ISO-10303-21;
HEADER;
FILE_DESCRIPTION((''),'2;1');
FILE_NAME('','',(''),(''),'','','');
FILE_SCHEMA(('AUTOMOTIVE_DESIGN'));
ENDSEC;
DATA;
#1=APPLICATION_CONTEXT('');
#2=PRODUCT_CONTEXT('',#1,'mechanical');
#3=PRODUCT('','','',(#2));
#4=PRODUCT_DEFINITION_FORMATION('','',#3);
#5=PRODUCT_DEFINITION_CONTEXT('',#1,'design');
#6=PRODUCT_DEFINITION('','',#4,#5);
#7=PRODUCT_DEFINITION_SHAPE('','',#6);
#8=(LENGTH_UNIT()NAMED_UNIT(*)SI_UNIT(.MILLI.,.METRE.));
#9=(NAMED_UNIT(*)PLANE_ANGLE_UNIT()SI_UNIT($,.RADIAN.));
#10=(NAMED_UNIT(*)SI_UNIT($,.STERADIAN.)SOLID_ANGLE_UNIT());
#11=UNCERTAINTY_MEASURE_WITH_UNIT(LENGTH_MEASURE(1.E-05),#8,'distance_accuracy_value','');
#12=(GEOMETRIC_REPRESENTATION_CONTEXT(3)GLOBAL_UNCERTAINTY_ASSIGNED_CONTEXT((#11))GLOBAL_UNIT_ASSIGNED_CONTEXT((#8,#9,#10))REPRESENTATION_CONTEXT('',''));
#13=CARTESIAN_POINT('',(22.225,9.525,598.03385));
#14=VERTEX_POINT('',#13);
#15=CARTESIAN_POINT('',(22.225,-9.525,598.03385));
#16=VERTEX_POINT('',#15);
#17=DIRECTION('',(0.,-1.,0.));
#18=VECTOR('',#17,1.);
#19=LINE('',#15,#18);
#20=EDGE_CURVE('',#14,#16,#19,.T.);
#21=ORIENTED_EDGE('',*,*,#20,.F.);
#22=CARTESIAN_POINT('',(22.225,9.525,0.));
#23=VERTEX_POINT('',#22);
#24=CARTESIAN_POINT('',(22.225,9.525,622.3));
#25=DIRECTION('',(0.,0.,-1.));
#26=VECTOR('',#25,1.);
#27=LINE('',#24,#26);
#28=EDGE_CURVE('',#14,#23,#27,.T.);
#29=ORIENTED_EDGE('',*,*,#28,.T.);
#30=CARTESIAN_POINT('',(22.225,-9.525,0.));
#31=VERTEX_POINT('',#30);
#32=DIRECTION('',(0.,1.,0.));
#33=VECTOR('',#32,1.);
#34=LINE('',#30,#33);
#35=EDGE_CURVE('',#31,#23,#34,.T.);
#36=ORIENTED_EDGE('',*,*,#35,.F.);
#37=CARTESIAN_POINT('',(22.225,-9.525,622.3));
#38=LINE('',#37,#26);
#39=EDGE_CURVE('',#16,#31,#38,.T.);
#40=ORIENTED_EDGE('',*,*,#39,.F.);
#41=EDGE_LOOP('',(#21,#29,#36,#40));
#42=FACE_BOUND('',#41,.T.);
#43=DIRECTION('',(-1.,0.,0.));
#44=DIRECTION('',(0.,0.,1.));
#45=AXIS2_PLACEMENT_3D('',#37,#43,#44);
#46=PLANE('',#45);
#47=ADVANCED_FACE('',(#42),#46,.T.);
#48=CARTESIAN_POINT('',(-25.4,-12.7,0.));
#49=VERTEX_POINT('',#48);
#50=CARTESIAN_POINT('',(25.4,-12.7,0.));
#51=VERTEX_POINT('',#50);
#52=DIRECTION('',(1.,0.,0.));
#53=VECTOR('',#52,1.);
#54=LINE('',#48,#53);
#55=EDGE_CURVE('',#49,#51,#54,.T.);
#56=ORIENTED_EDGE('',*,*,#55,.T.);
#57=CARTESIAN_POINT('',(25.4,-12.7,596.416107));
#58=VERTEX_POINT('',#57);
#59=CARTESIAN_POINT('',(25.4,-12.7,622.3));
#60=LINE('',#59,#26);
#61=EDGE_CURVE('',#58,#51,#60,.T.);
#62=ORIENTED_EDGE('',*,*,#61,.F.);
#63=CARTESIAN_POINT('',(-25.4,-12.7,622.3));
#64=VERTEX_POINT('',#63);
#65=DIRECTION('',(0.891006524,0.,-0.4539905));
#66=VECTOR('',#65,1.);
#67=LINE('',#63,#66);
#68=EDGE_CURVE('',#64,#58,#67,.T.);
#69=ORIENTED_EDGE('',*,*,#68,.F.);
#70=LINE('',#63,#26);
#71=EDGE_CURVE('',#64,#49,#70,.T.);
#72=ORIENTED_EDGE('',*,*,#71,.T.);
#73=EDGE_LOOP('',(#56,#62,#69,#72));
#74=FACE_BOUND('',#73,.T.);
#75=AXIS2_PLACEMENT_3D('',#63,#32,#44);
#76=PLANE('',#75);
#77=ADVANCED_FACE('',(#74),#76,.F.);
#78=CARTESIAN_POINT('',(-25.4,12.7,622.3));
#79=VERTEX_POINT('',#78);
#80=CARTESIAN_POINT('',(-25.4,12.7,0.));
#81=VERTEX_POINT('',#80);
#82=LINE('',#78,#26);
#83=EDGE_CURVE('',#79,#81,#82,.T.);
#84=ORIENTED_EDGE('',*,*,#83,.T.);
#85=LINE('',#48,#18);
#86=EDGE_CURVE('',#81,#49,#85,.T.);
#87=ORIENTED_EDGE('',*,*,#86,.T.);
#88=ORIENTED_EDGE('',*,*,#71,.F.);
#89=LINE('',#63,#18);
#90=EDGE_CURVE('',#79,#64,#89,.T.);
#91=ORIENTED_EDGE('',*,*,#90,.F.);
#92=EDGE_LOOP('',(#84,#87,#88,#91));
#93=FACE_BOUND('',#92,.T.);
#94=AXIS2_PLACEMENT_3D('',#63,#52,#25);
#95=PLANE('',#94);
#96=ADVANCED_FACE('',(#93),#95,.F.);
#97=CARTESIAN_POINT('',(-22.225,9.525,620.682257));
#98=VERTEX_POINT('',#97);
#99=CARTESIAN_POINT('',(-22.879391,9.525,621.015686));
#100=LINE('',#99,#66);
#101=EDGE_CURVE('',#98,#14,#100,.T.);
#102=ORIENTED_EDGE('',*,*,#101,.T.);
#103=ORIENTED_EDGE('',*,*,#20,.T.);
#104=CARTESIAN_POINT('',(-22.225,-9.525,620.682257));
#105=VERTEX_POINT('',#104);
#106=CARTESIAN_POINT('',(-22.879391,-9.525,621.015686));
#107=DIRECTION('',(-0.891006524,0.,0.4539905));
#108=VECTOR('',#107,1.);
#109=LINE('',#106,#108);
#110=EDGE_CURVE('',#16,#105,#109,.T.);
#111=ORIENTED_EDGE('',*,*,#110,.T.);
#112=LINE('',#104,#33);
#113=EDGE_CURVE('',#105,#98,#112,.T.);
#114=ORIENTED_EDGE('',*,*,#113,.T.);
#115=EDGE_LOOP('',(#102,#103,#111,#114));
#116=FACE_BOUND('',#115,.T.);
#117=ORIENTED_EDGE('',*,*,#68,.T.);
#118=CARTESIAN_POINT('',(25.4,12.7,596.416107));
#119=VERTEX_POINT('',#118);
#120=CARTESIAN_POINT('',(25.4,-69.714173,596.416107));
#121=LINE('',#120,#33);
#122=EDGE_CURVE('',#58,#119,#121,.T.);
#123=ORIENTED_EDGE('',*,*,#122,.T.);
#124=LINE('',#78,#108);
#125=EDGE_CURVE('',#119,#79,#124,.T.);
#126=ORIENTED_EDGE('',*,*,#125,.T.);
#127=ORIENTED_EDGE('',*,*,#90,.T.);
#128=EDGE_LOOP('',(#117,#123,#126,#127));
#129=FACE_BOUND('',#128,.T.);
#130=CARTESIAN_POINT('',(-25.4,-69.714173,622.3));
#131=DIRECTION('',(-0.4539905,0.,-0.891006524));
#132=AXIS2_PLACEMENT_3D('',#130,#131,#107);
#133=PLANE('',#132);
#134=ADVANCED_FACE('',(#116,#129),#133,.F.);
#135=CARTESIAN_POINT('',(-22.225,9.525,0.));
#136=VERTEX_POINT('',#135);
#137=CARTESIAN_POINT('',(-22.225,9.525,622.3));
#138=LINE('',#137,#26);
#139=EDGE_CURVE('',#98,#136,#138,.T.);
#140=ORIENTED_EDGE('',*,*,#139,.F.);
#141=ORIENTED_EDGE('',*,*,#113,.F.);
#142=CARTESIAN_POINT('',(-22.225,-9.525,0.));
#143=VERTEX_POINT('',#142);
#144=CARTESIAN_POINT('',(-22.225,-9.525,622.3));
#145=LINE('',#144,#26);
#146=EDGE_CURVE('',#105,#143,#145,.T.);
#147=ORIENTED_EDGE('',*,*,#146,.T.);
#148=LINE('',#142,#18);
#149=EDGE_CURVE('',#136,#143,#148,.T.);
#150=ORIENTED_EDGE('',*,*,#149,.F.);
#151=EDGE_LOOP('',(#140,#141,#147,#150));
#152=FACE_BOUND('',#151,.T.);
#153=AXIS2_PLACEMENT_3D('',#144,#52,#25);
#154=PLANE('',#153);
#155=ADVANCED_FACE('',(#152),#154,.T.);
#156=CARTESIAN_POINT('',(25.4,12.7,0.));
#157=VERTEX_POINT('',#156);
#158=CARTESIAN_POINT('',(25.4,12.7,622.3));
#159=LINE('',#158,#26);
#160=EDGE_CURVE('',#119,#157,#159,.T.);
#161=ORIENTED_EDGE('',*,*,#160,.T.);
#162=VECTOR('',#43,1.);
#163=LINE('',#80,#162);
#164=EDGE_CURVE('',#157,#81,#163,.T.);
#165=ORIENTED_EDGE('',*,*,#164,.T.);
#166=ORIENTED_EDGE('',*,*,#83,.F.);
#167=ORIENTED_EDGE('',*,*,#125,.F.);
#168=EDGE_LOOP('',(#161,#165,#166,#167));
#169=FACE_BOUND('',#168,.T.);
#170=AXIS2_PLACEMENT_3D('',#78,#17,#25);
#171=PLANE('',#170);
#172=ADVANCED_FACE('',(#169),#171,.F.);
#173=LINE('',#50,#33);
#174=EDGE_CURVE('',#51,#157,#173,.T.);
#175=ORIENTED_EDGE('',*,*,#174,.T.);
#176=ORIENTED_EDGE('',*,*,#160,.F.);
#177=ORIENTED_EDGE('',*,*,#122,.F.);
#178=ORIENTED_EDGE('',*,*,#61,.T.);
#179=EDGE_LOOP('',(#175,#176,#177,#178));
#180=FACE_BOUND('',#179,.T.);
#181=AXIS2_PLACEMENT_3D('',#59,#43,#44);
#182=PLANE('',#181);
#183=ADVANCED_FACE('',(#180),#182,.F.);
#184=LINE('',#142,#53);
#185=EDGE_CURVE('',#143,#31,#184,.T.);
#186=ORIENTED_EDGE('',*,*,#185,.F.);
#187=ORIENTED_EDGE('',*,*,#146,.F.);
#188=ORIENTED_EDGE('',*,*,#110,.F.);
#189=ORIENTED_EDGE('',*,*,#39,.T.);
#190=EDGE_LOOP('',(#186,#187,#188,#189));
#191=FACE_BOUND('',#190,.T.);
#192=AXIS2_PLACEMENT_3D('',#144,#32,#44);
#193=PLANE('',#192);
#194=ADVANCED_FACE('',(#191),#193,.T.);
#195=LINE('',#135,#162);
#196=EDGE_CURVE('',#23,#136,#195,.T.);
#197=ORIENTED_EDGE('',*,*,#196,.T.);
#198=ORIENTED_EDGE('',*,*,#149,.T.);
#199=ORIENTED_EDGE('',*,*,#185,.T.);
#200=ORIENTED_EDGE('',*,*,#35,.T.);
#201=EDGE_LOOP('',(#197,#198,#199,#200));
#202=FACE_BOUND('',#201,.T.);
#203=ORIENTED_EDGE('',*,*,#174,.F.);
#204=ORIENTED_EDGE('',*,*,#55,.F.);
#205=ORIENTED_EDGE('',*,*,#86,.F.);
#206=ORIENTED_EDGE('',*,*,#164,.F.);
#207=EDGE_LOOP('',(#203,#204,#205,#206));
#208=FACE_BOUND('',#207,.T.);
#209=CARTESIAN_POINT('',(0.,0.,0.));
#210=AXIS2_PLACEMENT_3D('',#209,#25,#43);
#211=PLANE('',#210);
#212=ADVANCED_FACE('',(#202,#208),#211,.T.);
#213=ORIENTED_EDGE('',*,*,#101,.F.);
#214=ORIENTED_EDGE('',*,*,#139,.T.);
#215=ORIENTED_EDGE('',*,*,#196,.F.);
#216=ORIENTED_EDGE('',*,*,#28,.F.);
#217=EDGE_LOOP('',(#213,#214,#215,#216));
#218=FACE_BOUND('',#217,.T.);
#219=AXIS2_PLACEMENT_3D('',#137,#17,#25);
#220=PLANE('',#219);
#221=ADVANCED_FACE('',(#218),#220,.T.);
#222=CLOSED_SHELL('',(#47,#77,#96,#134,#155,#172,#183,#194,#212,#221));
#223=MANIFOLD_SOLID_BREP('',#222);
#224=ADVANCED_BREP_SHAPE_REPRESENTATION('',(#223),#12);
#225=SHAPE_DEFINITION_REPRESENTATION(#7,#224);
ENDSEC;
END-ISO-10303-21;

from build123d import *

# Parameters (mm, degrees)
SKETCH2_W           = 50.8
SKETCH2_H           = 25.4
SKETCH2_W_2         = 44.45
SKETCH2_H_2         = 19.05
BOSS_EXTRUDE1_DEPTH = 622.3
CUT_EXTRUDE1_REACH  = 625.336


with BuildPart() as part:
    # Sketch2 → Boss-Extrude1 (new body)
    with BuildSketch(Plane.XY):
        Rectangle(SKETCH2_W, SKETCH2_H)
        Rectangle(SKETCH2_W_2, SKETCH2_H_2, mode=Mode.SUBTRACT)
    extrude(amount=BOSS_EXTRUDE1_DEPTH)

    # Cut-Extrude1: up to this face of the body (flat: up to its plane)
    cut_extrude1_end = Plane(part.part.faces().sort_by_distance((0, -12.7, 311.15))[0])
    # Sketch3 → Cut-Extrude1 (cut, up to the picked face)
    with BuildSketch(Plane(origin=(0, 12.7, 0), x_dir=(1, 0, 0), z_dir=(0, 1, 0)), mode=Mode.PRIVATE) as cut_extrude1_sk1:
        Polygon((-25.4, -622.3), (25.4, -596.416107166), (25.4, -622.3), align=None)
    cut_extrude1_tool1 = split(extrude(cut_extrude1_sk1.sketch, amount=-CUT_EXTRUDE1_REACH, mode=Mode.PRIVATE), bisect_by=cut_extrude1_end, keep=Keep.BOTH, mode=Mode.PRIVATE)
    add(cut_extrude1_tool1.solids().sort_by(Axis((8.466667, 12.7, 613.672036), (0, -1, 0)))[0], mode=Mode.SUBTRACT)


solid = part.part
